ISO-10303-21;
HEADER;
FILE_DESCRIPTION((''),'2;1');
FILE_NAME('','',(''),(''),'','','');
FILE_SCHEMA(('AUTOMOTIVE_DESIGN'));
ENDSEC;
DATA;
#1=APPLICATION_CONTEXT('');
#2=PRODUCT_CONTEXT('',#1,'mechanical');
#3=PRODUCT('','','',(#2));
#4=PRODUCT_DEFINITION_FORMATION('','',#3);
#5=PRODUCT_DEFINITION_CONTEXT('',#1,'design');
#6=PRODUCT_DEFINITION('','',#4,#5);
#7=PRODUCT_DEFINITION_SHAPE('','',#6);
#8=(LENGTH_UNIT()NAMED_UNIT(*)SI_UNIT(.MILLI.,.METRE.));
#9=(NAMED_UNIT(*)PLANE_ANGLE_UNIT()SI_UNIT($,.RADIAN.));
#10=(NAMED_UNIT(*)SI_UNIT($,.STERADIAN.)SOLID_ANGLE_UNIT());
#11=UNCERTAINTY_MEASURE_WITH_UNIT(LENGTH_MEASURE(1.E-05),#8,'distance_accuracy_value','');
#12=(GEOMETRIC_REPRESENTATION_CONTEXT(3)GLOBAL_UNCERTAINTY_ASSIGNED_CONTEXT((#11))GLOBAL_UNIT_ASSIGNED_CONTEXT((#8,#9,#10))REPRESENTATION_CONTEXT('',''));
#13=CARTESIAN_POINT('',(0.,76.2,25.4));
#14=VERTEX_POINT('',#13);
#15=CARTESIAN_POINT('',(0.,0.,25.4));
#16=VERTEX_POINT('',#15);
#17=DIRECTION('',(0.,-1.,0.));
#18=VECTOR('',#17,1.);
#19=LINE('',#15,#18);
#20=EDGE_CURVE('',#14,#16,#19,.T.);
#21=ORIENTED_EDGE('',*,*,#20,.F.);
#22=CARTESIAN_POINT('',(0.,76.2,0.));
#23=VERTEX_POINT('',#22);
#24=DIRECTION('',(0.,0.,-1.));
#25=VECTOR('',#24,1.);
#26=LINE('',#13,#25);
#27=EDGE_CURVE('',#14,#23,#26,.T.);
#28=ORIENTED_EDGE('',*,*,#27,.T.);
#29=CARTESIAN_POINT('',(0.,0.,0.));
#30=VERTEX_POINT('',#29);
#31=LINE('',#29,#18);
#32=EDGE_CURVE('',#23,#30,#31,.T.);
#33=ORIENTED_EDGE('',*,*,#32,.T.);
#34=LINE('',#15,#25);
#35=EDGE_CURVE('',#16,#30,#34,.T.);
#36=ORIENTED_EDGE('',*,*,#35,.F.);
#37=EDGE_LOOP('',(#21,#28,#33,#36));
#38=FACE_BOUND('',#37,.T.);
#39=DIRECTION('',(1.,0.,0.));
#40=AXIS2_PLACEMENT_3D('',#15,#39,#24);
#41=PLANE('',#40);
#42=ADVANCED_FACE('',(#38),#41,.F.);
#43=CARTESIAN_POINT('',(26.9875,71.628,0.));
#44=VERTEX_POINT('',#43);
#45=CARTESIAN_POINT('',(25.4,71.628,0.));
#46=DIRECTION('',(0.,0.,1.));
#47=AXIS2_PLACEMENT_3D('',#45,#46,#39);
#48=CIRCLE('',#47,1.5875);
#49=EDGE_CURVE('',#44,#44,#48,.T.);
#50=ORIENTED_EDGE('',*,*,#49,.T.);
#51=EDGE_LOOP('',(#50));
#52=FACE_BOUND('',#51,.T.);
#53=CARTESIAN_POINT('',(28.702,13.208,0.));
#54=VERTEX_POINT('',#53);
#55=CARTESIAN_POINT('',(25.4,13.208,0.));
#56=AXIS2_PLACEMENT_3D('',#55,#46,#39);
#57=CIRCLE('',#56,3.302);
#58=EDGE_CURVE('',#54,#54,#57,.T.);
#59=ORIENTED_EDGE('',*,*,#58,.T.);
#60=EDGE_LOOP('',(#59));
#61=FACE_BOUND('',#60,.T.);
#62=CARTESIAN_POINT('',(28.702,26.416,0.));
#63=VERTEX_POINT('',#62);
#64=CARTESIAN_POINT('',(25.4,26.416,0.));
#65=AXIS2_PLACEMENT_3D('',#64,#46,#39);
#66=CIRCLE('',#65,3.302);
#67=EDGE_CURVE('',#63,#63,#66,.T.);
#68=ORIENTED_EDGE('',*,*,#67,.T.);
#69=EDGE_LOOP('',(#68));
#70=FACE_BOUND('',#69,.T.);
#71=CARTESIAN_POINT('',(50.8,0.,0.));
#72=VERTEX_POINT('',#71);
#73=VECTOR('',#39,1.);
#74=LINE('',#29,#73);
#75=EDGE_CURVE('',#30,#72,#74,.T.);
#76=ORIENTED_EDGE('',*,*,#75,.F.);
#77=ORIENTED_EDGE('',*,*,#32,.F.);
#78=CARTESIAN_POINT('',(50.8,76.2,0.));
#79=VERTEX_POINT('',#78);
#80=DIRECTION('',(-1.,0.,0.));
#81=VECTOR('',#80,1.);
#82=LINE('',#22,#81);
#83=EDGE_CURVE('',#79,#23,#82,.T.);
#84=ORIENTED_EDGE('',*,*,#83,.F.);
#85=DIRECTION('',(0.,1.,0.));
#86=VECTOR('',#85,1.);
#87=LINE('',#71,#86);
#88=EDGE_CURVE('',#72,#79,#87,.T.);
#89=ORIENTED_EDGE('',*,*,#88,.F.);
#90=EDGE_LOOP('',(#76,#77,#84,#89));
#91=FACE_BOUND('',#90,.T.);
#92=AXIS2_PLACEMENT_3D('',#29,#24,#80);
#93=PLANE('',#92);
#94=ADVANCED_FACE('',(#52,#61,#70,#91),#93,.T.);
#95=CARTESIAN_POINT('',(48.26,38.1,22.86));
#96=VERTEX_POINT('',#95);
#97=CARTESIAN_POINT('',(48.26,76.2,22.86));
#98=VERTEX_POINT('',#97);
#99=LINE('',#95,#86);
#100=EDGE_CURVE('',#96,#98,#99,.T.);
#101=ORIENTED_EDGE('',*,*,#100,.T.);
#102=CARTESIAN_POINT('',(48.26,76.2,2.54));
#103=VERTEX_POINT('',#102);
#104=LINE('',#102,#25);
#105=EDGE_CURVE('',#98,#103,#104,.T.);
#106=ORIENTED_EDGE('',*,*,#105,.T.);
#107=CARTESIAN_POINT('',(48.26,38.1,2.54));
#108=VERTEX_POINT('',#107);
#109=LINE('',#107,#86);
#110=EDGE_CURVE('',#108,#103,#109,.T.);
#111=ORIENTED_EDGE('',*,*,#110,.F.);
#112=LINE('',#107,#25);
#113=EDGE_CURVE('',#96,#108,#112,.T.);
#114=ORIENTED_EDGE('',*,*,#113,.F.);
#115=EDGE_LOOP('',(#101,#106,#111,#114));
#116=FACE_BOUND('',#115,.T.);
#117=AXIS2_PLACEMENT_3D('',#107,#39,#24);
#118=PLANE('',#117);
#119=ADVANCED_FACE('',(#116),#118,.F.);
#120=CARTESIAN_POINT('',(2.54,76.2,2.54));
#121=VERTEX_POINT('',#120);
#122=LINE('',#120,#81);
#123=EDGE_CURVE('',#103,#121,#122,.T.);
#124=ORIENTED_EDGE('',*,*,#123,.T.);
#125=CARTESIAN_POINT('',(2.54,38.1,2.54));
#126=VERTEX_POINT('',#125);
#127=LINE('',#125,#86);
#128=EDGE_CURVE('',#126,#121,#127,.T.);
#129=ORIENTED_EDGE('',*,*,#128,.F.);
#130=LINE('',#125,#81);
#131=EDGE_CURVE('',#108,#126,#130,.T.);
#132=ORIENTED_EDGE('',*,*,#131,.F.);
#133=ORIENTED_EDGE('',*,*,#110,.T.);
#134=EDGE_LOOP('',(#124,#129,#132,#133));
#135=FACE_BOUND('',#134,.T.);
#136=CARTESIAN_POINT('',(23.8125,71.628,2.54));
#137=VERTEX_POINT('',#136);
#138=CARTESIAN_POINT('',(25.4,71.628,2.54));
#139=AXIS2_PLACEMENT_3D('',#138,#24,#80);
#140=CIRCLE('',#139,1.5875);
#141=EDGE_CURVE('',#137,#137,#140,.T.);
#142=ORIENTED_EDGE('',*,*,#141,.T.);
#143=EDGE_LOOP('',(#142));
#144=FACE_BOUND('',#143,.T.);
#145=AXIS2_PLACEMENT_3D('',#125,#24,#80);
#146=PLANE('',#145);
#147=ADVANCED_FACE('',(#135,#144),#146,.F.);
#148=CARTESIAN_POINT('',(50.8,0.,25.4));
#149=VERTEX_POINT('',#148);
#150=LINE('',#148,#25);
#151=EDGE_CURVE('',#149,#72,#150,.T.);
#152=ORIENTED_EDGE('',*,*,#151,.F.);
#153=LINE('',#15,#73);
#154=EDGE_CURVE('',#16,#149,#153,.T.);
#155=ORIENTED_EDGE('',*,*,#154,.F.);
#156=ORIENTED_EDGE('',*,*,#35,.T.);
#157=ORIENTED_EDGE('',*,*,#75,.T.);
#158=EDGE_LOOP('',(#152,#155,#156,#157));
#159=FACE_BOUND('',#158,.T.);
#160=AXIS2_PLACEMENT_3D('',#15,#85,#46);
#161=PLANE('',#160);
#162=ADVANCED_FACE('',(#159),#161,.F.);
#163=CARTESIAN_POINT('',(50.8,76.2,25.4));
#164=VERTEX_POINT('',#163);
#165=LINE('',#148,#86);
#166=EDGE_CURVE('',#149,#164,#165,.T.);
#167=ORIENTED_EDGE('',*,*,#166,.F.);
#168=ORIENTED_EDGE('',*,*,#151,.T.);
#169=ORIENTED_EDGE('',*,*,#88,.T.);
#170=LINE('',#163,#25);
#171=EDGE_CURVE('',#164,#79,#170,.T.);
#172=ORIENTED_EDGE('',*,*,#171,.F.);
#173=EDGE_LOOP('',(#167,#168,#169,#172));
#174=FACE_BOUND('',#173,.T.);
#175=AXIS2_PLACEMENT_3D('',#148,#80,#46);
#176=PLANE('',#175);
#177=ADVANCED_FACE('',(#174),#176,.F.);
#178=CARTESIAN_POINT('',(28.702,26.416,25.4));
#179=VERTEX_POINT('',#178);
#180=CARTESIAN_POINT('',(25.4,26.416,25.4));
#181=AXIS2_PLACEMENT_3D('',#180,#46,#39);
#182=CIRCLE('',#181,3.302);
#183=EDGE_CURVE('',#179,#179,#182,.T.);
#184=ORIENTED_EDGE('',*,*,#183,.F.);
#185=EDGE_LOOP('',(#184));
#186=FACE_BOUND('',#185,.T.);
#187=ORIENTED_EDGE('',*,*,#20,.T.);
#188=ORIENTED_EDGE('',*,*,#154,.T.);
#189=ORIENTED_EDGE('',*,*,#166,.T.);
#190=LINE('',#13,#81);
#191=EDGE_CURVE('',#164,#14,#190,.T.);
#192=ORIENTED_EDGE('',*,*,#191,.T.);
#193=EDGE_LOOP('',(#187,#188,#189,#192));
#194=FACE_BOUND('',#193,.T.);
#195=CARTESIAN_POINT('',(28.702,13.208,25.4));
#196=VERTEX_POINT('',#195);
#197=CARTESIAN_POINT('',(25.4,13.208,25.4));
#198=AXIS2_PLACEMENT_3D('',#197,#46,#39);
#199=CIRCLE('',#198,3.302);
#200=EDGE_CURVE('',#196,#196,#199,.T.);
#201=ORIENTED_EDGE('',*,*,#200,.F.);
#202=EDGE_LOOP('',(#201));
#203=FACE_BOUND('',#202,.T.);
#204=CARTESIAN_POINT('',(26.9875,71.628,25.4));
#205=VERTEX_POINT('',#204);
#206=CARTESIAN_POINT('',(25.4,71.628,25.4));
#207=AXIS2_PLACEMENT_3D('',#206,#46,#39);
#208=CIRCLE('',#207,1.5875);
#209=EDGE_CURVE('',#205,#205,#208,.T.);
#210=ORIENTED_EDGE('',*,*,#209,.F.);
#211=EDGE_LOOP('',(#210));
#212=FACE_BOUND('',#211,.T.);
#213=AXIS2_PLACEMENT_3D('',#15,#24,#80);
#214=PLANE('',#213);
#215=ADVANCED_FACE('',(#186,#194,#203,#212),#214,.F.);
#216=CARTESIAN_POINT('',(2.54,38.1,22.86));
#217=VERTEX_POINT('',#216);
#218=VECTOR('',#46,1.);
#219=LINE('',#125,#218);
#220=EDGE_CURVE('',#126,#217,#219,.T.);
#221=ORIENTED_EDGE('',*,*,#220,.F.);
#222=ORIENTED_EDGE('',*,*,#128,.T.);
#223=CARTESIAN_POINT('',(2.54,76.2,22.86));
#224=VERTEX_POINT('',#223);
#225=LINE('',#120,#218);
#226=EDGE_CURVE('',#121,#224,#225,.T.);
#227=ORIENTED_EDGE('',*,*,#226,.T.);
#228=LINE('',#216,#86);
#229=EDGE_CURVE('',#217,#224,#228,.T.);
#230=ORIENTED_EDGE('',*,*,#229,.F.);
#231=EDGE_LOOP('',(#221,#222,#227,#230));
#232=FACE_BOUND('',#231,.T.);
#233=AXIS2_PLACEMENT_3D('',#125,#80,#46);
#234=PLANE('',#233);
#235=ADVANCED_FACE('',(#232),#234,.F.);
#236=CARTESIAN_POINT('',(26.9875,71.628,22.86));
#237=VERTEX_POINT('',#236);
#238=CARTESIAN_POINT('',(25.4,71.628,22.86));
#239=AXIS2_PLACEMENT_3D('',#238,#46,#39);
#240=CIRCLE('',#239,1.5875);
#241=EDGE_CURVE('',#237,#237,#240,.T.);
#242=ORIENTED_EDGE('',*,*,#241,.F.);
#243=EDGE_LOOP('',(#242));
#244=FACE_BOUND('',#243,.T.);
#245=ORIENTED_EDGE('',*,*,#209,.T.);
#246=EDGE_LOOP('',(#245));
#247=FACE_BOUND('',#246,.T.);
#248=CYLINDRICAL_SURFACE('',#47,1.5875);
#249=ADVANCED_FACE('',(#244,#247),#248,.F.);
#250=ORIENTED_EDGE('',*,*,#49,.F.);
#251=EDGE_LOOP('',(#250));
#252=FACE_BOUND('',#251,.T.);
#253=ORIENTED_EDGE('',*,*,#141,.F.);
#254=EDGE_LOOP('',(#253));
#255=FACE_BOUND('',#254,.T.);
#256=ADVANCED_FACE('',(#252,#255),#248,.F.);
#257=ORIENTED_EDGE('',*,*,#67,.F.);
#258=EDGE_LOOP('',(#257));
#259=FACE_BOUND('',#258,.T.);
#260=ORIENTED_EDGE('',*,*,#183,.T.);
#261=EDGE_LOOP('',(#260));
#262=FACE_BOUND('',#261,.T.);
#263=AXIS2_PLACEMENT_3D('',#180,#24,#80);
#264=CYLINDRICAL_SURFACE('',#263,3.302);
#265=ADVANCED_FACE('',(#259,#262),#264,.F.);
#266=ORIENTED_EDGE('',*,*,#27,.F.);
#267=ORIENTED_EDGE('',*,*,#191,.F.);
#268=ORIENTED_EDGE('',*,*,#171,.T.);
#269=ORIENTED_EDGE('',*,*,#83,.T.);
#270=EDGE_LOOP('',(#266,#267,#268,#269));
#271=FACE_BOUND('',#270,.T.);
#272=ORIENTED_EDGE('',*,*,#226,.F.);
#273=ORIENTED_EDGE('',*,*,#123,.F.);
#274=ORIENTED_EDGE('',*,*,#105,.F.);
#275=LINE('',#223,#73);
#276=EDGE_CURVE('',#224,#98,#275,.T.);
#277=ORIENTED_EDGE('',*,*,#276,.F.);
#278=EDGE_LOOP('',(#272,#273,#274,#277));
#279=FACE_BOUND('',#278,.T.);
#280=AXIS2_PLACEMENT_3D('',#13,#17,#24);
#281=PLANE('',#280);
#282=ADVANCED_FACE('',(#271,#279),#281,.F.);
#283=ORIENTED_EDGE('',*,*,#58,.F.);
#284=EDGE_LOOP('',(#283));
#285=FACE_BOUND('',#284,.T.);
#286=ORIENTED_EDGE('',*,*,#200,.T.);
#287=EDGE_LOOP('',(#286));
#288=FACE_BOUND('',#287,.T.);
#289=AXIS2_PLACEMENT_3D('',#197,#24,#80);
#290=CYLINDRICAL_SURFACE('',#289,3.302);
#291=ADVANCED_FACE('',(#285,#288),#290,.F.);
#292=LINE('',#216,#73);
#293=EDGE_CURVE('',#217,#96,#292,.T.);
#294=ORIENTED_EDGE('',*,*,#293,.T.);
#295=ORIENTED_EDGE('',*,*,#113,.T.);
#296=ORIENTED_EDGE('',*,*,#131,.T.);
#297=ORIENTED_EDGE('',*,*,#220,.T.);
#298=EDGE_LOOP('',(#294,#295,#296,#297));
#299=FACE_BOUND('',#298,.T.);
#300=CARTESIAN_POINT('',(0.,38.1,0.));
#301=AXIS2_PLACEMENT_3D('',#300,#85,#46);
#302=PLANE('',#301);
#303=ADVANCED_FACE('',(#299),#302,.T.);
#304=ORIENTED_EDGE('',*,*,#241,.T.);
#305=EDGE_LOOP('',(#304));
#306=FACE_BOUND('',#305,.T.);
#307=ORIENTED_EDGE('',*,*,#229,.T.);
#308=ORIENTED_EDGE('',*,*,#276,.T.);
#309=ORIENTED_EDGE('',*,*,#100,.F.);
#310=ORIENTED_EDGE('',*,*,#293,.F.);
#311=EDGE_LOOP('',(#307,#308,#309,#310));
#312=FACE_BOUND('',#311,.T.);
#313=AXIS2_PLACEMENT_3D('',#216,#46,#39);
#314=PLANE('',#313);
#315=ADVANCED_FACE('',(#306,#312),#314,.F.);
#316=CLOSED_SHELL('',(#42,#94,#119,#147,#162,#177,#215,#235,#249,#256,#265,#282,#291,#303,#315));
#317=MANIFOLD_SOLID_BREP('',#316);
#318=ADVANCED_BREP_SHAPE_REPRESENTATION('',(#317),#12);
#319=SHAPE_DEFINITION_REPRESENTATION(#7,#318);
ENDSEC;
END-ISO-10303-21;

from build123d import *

# Parameters (mm, degrees)
SKETCH1_W           = 50.8
SKETCH1_H           = 76.2
SKETCH1_R           = 3.302
BOSS_EXTRUDE1_DEPTH = 25.4
SKETCH2_W           = 45.72
SKETCH2_H           = 20.32
CUT_EXTRUDE1_DEPTH  = 38.1
SKETCH3_R           = 1.5875
CUT_EXTRUDE2_DEPTH  = 26.4


with BuildPart() as part:
    # Sketch1 → Boss-Extrude1 (new body)
    with BuildSketch(Plane.XY):
        with Locations((25.4, 38.1)):
            Rectangle(SKETCH1_W, SKETCH1_H)
        with Locations((25.4, 13.208)):
            Circle(SKETCH1_R, mode=Mode.SUBTRACT)
        with Locations((25.4, 26.416)):
            Circle(SKETCH1_R, mode=Mode.SUBTRACT)
    extrude(amount=BOSS_EXTRUDE1_DEPTH)

    # Sketch2 → Cut-Extrude1 (cut)
    with BuildSketch(Plane(origin=(0, 76.2, 0), x_dir=(1, 0, 0), z_dir=(0, 1, 0))):
        with Locations((25.4, -12.7)):
            Rectangle(SKETCH2_W, SKETCH2_H)
    extrude(amount=-CUT_EXTRUDE1_DEPTH, mode=Mode.SUBTRACT)

    # Sketch3 → Cut-Extrude2 (cut, through all)
    with BuildSketch(Plane.XY.offset(25.4)):
        with Locations((25.4, 71.628)):
            Circle(SKETCH3_R)
    extrude(amount=-CUT_EXTRUDE2_DEPTH, mode=Mode.SUBTRACT)


solid = part.part
